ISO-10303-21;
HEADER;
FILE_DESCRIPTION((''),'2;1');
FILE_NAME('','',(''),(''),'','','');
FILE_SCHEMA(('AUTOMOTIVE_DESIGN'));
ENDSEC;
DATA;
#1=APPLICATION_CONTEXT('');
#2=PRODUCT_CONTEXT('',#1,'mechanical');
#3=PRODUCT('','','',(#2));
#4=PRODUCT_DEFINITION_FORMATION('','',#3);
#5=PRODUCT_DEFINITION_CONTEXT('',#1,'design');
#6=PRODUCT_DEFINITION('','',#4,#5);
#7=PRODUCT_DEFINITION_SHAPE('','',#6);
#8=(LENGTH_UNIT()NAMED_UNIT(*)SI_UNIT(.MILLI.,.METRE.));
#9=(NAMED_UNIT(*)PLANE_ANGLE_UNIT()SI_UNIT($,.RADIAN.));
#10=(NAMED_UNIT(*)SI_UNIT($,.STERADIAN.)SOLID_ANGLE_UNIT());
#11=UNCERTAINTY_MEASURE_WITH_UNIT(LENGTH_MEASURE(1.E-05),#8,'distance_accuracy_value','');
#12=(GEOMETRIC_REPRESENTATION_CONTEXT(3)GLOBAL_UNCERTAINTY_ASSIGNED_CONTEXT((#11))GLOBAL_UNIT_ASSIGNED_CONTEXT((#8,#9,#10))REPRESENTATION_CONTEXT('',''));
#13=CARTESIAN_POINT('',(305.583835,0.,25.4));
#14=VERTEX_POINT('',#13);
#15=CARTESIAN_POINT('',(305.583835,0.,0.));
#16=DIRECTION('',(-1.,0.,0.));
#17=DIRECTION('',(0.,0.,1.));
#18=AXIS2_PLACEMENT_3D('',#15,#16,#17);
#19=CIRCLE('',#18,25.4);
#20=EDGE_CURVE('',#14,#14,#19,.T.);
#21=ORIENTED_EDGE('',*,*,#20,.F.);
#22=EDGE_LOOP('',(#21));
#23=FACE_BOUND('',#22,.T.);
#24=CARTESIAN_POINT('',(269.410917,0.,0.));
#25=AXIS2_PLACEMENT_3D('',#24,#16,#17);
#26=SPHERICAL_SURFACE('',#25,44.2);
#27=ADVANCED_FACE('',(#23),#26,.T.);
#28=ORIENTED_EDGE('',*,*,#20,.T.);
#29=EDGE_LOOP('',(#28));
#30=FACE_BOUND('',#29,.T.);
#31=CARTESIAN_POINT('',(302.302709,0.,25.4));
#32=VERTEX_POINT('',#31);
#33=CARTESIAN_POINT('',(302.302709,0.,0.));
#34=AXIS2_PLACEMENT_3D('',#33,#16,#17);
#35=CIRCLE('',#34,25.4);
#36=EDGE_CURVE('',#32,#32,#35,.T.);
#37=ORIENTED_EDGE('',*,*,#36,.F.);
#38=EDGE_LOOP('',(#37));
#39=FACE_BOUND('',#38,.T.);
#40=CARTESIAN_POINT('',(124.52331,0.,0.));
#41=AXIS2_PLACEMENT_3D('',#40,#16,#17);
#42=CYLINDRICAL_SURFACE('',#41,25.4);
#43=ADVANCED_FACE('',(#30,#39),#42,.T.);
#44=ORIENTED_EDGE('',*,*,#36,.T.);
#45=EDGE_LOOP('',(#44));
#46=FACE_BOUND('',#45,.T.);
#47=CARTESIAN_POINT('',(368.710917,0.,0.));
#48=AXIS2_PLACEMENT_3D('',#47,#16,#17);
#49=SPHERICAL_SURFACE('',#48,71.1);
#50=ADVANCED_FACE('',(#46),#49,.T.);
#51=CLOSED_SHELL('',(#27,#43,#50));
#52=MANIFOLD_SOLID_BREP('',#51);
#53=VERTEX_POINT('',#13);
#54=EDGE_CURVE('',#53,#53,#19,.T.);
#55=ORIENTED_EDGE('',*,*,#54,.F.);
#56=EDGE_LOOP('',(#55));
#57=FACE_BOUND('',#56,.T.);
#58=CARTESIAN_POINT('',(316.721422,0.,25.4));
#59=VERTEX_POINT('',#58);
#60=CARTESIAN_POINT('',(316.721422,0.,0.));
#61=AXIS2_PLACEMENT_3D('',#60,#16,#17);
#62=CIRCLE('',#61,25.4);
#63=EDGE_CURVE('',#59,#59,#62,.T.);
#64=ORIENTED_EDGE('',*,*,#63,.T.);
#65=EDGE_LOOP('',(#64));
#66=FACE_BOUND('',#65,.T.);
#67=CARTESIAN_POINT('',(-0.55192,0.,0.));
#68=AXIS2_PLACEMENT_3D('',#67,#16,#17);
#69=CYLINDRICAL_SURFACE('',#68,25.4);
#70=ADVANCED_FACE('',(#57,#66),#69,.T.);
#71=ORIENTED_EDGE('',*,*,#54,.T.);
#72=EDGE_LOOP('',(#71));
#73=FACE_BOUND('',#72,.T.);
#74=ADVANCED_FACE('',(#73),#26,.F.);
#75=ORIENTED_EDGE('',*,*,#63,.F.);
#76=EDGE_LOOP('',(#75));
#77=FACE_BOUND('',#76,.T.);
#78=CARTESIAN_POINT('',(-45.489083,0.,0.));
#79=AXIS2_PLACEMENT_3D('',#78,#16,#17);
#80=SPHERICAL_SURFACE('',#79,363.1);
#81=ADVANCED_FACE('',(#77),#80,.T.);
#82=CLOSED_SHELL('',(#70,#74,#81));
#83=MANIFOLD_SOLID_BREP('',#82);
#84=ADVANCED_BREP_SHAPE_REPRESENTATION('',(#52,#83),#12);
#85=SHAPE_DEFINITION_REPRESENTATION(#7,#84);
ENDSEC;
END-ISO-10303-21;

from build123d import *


with BuildPart() as part:
    # 草图1 one side → 旋转1 (revolve)
    with BuildSketch(Plane(origin=(0, 0, 0), x_dir=(1, 0, 0), z_dir=(0, 1, 0)), mode=Mode.PRIVATE) as revolve_1_sk:
        with BuildLine():
            ThreePointArc((302.302709283, 25.4), (298.793702916, 12.91484532), (297.610916607, 0))
            Line((297.610916607, 0), (313.610916607, 0))
            ThreePointArc((313.610916607, 0), (311.556396659, 13.319103242), (305.583834654, 25.4))
            Line((305.583834654, 25.4), (302.302709283, 25.4))
        make_face()
    revolve(revolve_1_sk.sketch.rotate(Axis((124.523309526, 0, 0), (1, 0, 0)), 180), axis=Axis((124.523309526, 0, 0), (1, 0, 0)))  # turned: the seam where the file's is


with BuildPart() as body_2:
    # 草图2 one side → 旋转3 (revolve)
    with BuildSketch(Plane(origin=(0, 0, 0), x_dir=(1, 0, 0), z_dir=(0, 1, 0)), mode=Mode.PRIVATE) as revolve_3_sk:
        with BuildLine():
            Line((316.721421701, 25.4), (305.583834654, 25.4))
            ThreePointArc((305.583834654, 25.4), (311.556396659, 13.319103242), (313.610916607, 0))
            Line((313.610916607, 0), (317.610916607, 0))
            ThreePointArc((317.610916607, 0), (317.388474745, 12.707785027), (316.721421701, 25.4))
        make_face()
    revolve(revolve_3_sk.sketch.rotate(Axis((-0.551919993, 0, 0), (1, 0, 0)), 180), axis=Axis((-0.551919993, 0, 0), (1, 0, 0)))  # turned: the seam where the file's is


solid = Compound([part.part, body_2.part])
